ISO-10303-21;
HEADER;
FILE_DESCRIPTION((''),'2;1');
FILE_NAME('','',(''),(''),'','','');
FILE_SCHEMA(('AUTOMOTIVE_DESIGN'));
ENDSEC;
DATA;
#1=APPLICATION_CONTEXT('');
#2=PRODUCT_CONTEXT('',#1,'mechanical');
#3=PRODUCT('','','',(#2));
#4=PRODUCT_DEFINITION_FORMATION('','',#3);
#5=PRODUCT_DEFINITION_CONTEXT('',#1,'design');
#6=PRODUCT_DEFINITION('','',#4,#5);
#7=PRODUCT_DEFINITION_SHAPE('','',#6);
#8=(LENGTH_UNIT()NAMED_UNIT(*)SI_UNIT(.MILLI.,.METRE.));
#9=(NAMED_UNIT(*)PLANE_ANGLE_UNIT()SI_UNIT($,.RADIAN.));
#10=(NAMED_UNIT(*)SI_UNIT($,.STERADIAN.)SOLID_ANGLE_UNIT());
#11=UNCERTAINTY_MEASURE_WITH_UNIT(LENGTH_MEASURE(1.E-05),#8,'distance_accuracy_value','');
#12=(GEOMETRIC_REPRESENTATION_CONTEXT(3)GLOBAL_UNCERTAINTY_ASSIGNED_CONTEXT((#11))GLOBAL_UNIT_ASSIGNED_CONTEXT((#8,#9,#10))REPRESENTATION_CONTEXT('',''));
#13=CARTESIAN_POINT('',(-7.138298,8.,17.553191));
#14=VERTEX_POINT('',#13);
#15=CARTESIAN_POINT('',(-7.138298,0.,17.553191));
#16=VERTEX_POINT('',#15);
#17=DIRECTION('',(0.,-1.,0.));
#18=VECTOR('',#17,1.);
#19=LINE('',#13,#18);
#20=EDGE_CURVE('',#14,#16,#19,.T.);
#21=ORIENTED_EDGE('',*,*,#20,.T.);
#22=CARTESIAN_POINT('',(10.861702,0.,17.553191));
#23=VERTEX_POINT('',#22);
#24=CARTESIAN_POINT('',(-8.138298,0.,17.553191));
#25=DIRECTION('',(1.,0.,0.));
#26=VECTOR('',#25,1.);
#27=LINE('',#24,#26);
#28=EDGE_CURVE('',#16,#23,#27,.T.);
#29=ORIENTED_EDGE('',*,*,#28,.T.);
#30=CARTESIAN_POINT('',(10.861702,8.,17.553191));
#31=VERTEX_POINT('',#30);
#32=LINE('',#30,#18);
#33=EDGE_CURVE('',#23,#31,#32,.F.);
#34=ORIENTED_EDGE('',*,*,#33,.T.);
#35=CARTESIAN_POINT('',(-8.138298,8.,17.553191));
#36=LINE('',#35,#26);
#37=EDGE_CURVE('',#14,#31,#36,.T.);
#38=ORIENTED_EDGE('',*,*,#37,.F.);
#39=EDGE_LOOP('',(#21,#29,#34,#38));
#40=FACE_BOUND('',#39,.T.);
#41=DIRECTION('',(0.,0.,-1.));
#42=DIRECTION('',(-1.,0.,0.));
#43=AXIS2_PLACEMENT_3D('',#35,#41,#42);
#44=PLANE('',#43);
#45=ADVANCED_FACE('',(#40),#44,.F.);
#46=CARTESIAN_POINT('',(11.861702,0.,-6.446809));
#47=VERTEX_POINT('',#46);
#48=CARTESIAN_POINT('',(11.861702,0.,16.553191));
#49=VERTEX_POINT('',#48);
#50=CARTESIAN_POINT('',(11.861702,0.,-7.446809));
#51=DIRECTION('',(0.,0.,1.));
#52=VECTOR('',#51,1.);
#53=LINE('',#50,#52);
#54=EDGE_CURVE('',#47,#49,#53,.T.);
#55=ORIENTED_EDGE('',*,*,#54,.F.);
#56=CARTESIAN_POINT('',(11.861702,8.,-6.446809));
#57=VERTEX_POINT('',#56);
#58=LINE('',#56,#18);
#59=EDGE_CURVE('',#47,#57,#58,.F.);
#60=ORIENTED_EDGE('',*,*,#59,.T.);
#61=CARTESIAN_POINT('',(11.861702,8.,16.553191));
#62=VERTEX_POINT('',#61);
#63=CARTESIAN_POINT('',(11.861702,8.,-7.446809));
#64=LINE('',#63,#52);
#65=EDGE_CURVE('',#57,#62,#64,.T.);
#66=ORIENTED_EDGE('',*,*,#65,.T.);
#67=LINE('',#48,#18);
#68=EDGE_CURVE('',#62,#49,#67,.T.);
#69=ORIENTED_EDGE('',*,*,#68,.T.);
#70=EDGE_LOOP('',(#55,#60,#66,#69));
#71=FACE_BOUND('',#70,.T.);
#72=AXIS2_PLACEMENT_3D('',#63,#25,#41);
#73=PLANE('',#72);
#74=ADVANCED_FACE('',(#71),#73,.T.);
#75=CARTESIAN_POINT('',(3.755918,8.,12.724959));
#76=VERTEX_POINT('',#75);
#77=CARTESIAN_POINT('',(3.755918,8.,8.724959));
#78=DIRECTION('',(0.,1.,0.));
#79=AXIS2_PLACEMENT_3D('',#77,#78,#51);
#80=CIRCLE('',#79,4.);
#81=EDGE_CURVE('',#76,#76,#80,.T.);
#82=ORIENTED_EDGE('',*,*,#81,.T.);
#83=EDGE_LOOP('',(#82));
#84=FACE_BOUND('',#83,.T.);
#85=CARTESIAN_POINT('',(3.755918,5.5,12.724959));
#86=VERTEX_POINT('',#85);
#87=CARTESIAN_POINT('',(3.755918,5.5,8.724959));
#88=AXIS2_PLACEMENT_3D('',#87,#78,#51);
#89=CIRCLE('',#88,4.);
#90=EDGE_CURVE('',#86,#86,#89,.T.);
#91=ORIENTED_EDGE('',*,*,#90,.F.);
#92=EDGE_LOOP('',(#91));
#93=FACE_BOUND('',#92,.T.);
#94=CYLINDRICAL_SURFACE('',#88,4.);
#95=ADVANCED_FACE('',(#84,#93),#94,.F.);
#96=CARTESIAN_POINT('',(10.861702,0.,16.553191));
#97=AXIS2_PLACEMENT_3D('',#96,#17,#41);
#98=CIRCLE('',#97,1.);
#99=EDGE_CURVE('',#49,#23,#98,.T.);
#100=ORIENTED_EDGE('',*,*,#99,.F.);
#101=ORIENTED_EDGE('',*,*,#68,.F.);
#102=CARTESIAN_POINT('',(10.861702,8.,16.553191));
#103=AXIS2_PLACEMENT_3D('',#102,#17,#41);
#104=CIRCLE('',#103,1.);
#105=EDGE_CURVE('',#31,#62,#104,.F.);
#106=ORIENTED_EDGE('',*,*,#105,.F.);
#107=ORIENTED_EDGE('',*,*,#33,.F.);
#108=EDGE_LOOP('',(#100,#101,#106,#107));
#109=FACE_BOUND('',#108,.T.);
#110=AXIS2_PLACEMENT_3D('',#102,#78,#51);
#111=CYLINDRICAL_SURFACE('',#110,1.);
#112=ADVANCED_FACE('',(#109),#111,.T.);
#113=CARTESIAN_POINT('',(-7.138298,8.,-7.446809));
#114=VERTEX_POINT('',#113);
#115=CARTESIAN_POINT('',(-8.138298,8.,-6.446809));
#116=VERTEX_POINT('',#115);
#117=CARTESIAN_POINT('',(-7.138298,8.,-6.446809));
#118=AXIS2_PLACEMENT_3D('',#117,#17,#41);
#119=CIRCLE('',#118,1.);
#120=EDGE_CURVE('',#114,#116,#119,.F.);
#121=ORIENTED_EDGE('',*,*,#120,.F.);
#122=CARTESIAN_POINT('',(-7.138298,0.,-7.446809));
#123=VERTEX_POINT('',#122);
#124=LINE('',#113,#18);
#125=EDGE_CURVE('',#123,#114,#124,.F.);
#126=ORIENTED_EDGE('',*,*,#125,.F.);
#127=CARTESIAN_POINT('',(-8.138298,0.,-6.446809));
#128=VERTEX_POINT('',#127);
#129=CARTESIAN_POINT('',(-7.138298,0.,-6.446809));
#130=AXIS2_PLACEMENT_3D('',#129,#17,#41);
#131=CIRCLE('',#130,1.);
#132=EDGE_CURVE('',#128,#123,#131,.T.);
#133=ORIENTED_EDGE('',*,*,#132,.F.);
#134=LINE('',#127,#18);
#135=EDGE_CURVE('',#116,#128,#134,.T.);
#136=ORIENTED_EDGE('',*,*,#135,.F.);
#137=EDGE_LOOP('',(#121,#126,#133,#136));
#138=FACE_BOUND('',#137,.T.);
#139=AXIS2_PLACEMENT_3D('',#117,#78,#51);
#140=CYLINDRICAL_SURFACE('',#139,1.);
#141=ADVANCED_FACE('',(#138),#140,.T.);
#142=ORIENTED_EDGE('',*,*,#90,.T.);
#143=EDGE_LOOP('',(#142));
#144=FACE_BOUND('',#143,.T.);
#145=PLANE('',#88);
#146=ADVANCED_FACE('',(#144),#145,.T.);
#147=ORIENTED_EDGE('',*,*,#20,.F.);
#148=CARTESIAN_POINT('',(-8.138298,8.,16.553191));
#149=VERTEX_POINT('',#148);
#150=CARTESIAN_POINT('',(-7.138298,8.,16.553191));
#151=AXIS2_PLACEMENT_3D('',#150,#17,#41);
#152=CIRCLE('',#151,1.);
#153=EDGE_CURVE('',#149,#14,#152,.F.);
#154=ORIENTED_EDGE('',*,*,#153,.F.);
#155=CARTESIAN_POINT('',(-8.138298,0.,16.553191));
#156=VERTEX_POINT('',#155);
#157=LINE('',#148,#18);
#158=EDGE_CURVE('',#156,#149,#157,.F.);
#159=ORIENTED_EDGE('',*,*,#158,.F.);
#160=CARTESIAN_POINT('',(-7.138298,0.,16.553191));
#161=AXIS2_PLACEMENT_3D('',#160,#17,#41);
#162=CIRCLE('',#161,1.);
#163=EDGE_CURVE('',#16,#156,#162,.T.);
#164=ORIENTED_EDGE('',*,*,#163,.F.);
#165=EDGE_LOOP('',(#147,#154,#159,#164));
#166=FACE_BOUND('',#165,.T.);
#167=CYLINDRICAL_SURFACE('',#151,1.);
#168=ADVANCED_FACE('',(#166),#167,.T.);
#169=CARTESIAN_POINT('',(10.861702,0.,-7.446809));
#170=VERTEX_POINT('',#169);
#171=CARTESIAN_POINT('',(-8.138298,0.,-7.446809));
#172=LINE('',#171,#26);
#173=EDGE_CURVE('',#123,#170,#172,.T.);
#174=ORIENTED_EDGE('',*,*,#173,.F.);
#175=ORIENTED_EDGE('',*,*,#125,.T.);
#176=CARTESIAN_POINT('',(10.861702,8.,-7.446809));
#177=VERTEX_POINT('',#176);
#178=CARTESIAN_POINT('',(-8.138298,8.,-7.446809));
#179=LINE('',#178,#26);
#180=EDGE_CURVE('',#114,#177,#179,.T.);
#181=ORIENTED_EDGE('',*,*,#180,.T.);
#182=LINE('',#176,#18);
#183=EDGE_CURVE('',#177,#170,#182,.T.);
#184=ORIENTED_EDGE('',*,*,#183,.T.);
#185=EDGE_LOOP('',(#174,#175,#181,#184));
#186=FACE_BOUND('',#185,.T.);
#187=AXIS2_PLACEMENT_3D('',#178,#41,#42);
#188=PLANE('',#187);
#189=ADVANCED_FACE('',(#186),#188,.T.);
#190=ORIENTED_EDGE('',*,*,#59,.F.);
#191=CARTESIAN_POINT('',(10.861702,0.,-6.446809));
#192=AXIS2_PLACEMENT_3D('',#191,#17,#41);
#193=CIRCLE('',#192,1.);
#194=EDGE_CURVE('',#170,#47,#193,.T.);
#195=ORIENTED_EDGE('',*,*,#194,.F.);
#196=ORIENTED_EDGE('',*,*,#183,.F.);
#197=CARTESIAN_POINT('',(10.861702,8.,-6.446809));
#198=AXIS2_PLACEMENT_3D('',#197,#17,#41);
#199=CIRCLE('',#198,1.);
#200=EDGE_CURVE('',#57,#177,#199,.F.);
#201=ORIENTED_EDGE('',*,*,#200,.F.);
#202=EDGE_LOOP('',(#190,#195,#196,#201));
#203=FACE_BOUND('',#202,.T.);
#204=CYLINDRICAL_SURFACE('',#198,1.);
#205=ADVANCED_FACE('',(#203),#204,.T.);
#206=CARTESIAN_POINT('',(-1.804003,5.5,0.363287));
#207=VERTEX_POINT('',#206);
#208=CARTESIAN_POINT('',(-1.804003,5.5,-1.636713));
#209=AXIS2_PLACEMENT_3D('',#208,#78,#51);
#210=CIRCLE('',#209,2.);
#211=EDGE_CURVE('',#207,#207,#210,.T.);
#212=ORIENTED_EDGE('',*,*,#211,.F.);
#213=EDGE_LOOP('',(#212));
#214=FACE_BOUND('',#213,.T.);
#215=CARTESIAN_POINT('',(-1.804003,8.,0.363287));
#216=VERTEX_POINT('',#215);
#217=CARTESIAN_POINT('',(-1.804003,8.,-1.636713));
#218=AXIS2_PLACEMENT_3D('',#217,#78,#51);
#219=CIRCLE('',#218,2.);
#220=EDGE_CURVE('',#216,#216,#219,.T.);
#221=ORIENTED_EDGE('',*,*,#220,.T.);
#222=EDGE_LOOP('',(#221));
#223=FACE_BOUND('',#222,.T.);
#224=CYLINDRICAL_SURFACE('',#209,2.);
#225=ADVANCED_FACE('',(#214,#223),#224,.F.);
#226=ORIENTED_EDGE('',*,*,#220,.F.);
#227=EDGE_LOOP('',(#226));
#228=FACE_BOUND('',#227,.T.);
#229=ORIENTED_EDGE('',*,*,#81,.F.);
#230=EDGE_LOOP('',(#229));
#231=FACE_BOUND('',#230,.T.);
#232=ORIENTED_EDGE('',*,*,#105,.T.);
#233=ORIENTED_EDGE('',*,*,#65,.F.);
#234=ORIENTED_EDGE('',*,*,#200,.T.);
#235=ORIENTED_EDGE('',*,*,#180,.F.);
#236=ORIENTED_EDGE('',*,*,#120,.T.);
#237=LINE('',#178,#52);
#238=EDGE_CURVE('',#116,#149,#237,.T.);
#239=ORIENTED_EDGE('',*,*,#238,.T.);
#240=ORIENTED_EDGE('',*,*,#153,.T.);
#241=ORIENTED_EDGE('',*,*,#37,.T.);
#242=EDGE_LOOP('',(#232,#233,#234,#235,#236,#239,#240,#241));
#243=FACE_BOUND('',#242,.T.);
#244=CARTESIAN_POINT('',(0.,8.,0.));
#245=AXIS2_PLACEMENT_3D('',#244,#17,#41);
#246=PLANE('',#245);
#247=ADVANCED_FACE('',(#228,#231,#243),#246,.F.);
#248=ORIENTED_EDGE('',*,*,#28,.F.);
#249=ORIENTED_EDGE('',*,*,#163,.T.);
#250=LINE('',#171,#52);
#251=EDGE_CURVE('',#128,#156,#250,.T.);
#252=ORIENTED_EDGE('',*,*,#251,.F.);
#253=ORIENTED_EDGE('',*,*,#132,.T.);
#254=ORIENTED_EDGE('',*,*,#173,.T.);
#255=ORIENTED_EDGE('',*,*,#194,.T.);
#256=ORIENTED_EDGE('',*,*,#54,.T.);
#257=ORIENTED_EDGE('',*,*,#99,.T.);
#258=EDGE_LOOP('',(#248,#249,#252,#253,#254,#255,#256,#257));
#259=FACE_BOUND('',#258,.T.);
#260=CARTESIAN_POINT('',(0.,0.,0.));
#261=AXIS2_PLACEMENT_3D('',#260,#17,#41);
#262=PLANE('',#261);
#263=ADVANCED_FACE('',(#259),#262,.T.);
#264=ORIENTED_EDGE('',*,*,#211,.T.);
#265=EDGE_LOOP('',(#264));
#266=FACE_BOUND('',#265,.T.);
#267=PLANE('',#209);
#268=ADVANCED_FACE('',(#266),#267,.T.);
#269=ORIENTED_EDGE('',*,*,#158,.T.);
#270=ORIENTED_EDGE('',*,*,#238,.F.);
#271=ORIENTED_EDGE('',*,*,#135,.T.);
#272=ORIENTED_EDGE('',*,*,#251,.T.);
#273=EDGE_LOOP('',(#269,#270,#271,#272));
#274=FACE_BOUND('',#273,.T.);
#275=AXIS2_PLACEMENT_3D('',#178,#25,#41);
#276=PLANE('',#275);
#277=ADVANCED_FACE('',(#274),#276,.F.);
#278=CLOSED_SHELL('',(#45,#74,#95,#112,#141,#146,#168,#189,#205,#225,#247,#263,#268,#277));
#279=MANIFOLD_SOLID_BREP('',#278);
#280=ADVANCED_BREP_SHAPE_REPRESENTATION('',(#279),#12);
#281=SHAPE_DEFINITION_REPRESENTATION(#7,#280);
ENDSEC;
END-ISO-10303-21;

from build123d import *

# Parameters (mm, degrees)
SKETCH1_W           = 20
SKETCH1_H           = 25
BOSS_EXTRUDE1_DEPTH = 8
FILLET1_R           = 1
SKETCH4_R           = 2
SKETCH4_R_2         = 4
CUT_EXTRUDE1_DEPTH  = 2.5


with BuildPart() as part:
    # Sketch1 → Boss-Extrude1 (new body)
    with BuildSketch(Plane(origin=(0, 0, 0), x_dir=(1, 0, 0), z_dir=(0, 1, 0))):
        with Locations((1.861702128, -5.053191489)):
            Rectangle(SKETCH1_W, SKETCH1_H)
    extrude(amount=BOSS_EXTRUDE1_DEPTH)

    # Fillet1
    fillet1_edges = [part.edges().sort_by_distance(p)[0] for p in [
        (-8.138297872, 4, -7.446808511),
        (-8.138297872, 4, 17.553191489),
        (11.861702128, 4, 17.553191489),
        (11.861702128, 4, -7.446808511),
    ]]
    fillet(fillet1_edges, radius=FILLET1_R)

    # Sketch4 → Cut-Extrude1 (cut)
    with BuildSketch(Plane(origin=(0, 8, 0), x_dir=(1, 0, 0), z_dir=(0, 1, 0))):
        with Locations(Location((-1.804003479, 1.636713319, 0), (0, 0, 270))):
            Circle(SKETCH4_R)
        with Locations(Location((3.755918293, -8.724959073, 0), (0, 0, 270))):
            Circle(SKETCH4_R_2)
    extrude(amount=-CUT_EXTRUDE1_DEPTH, mode=Mode.SUBTRACT)


solid = part.part
